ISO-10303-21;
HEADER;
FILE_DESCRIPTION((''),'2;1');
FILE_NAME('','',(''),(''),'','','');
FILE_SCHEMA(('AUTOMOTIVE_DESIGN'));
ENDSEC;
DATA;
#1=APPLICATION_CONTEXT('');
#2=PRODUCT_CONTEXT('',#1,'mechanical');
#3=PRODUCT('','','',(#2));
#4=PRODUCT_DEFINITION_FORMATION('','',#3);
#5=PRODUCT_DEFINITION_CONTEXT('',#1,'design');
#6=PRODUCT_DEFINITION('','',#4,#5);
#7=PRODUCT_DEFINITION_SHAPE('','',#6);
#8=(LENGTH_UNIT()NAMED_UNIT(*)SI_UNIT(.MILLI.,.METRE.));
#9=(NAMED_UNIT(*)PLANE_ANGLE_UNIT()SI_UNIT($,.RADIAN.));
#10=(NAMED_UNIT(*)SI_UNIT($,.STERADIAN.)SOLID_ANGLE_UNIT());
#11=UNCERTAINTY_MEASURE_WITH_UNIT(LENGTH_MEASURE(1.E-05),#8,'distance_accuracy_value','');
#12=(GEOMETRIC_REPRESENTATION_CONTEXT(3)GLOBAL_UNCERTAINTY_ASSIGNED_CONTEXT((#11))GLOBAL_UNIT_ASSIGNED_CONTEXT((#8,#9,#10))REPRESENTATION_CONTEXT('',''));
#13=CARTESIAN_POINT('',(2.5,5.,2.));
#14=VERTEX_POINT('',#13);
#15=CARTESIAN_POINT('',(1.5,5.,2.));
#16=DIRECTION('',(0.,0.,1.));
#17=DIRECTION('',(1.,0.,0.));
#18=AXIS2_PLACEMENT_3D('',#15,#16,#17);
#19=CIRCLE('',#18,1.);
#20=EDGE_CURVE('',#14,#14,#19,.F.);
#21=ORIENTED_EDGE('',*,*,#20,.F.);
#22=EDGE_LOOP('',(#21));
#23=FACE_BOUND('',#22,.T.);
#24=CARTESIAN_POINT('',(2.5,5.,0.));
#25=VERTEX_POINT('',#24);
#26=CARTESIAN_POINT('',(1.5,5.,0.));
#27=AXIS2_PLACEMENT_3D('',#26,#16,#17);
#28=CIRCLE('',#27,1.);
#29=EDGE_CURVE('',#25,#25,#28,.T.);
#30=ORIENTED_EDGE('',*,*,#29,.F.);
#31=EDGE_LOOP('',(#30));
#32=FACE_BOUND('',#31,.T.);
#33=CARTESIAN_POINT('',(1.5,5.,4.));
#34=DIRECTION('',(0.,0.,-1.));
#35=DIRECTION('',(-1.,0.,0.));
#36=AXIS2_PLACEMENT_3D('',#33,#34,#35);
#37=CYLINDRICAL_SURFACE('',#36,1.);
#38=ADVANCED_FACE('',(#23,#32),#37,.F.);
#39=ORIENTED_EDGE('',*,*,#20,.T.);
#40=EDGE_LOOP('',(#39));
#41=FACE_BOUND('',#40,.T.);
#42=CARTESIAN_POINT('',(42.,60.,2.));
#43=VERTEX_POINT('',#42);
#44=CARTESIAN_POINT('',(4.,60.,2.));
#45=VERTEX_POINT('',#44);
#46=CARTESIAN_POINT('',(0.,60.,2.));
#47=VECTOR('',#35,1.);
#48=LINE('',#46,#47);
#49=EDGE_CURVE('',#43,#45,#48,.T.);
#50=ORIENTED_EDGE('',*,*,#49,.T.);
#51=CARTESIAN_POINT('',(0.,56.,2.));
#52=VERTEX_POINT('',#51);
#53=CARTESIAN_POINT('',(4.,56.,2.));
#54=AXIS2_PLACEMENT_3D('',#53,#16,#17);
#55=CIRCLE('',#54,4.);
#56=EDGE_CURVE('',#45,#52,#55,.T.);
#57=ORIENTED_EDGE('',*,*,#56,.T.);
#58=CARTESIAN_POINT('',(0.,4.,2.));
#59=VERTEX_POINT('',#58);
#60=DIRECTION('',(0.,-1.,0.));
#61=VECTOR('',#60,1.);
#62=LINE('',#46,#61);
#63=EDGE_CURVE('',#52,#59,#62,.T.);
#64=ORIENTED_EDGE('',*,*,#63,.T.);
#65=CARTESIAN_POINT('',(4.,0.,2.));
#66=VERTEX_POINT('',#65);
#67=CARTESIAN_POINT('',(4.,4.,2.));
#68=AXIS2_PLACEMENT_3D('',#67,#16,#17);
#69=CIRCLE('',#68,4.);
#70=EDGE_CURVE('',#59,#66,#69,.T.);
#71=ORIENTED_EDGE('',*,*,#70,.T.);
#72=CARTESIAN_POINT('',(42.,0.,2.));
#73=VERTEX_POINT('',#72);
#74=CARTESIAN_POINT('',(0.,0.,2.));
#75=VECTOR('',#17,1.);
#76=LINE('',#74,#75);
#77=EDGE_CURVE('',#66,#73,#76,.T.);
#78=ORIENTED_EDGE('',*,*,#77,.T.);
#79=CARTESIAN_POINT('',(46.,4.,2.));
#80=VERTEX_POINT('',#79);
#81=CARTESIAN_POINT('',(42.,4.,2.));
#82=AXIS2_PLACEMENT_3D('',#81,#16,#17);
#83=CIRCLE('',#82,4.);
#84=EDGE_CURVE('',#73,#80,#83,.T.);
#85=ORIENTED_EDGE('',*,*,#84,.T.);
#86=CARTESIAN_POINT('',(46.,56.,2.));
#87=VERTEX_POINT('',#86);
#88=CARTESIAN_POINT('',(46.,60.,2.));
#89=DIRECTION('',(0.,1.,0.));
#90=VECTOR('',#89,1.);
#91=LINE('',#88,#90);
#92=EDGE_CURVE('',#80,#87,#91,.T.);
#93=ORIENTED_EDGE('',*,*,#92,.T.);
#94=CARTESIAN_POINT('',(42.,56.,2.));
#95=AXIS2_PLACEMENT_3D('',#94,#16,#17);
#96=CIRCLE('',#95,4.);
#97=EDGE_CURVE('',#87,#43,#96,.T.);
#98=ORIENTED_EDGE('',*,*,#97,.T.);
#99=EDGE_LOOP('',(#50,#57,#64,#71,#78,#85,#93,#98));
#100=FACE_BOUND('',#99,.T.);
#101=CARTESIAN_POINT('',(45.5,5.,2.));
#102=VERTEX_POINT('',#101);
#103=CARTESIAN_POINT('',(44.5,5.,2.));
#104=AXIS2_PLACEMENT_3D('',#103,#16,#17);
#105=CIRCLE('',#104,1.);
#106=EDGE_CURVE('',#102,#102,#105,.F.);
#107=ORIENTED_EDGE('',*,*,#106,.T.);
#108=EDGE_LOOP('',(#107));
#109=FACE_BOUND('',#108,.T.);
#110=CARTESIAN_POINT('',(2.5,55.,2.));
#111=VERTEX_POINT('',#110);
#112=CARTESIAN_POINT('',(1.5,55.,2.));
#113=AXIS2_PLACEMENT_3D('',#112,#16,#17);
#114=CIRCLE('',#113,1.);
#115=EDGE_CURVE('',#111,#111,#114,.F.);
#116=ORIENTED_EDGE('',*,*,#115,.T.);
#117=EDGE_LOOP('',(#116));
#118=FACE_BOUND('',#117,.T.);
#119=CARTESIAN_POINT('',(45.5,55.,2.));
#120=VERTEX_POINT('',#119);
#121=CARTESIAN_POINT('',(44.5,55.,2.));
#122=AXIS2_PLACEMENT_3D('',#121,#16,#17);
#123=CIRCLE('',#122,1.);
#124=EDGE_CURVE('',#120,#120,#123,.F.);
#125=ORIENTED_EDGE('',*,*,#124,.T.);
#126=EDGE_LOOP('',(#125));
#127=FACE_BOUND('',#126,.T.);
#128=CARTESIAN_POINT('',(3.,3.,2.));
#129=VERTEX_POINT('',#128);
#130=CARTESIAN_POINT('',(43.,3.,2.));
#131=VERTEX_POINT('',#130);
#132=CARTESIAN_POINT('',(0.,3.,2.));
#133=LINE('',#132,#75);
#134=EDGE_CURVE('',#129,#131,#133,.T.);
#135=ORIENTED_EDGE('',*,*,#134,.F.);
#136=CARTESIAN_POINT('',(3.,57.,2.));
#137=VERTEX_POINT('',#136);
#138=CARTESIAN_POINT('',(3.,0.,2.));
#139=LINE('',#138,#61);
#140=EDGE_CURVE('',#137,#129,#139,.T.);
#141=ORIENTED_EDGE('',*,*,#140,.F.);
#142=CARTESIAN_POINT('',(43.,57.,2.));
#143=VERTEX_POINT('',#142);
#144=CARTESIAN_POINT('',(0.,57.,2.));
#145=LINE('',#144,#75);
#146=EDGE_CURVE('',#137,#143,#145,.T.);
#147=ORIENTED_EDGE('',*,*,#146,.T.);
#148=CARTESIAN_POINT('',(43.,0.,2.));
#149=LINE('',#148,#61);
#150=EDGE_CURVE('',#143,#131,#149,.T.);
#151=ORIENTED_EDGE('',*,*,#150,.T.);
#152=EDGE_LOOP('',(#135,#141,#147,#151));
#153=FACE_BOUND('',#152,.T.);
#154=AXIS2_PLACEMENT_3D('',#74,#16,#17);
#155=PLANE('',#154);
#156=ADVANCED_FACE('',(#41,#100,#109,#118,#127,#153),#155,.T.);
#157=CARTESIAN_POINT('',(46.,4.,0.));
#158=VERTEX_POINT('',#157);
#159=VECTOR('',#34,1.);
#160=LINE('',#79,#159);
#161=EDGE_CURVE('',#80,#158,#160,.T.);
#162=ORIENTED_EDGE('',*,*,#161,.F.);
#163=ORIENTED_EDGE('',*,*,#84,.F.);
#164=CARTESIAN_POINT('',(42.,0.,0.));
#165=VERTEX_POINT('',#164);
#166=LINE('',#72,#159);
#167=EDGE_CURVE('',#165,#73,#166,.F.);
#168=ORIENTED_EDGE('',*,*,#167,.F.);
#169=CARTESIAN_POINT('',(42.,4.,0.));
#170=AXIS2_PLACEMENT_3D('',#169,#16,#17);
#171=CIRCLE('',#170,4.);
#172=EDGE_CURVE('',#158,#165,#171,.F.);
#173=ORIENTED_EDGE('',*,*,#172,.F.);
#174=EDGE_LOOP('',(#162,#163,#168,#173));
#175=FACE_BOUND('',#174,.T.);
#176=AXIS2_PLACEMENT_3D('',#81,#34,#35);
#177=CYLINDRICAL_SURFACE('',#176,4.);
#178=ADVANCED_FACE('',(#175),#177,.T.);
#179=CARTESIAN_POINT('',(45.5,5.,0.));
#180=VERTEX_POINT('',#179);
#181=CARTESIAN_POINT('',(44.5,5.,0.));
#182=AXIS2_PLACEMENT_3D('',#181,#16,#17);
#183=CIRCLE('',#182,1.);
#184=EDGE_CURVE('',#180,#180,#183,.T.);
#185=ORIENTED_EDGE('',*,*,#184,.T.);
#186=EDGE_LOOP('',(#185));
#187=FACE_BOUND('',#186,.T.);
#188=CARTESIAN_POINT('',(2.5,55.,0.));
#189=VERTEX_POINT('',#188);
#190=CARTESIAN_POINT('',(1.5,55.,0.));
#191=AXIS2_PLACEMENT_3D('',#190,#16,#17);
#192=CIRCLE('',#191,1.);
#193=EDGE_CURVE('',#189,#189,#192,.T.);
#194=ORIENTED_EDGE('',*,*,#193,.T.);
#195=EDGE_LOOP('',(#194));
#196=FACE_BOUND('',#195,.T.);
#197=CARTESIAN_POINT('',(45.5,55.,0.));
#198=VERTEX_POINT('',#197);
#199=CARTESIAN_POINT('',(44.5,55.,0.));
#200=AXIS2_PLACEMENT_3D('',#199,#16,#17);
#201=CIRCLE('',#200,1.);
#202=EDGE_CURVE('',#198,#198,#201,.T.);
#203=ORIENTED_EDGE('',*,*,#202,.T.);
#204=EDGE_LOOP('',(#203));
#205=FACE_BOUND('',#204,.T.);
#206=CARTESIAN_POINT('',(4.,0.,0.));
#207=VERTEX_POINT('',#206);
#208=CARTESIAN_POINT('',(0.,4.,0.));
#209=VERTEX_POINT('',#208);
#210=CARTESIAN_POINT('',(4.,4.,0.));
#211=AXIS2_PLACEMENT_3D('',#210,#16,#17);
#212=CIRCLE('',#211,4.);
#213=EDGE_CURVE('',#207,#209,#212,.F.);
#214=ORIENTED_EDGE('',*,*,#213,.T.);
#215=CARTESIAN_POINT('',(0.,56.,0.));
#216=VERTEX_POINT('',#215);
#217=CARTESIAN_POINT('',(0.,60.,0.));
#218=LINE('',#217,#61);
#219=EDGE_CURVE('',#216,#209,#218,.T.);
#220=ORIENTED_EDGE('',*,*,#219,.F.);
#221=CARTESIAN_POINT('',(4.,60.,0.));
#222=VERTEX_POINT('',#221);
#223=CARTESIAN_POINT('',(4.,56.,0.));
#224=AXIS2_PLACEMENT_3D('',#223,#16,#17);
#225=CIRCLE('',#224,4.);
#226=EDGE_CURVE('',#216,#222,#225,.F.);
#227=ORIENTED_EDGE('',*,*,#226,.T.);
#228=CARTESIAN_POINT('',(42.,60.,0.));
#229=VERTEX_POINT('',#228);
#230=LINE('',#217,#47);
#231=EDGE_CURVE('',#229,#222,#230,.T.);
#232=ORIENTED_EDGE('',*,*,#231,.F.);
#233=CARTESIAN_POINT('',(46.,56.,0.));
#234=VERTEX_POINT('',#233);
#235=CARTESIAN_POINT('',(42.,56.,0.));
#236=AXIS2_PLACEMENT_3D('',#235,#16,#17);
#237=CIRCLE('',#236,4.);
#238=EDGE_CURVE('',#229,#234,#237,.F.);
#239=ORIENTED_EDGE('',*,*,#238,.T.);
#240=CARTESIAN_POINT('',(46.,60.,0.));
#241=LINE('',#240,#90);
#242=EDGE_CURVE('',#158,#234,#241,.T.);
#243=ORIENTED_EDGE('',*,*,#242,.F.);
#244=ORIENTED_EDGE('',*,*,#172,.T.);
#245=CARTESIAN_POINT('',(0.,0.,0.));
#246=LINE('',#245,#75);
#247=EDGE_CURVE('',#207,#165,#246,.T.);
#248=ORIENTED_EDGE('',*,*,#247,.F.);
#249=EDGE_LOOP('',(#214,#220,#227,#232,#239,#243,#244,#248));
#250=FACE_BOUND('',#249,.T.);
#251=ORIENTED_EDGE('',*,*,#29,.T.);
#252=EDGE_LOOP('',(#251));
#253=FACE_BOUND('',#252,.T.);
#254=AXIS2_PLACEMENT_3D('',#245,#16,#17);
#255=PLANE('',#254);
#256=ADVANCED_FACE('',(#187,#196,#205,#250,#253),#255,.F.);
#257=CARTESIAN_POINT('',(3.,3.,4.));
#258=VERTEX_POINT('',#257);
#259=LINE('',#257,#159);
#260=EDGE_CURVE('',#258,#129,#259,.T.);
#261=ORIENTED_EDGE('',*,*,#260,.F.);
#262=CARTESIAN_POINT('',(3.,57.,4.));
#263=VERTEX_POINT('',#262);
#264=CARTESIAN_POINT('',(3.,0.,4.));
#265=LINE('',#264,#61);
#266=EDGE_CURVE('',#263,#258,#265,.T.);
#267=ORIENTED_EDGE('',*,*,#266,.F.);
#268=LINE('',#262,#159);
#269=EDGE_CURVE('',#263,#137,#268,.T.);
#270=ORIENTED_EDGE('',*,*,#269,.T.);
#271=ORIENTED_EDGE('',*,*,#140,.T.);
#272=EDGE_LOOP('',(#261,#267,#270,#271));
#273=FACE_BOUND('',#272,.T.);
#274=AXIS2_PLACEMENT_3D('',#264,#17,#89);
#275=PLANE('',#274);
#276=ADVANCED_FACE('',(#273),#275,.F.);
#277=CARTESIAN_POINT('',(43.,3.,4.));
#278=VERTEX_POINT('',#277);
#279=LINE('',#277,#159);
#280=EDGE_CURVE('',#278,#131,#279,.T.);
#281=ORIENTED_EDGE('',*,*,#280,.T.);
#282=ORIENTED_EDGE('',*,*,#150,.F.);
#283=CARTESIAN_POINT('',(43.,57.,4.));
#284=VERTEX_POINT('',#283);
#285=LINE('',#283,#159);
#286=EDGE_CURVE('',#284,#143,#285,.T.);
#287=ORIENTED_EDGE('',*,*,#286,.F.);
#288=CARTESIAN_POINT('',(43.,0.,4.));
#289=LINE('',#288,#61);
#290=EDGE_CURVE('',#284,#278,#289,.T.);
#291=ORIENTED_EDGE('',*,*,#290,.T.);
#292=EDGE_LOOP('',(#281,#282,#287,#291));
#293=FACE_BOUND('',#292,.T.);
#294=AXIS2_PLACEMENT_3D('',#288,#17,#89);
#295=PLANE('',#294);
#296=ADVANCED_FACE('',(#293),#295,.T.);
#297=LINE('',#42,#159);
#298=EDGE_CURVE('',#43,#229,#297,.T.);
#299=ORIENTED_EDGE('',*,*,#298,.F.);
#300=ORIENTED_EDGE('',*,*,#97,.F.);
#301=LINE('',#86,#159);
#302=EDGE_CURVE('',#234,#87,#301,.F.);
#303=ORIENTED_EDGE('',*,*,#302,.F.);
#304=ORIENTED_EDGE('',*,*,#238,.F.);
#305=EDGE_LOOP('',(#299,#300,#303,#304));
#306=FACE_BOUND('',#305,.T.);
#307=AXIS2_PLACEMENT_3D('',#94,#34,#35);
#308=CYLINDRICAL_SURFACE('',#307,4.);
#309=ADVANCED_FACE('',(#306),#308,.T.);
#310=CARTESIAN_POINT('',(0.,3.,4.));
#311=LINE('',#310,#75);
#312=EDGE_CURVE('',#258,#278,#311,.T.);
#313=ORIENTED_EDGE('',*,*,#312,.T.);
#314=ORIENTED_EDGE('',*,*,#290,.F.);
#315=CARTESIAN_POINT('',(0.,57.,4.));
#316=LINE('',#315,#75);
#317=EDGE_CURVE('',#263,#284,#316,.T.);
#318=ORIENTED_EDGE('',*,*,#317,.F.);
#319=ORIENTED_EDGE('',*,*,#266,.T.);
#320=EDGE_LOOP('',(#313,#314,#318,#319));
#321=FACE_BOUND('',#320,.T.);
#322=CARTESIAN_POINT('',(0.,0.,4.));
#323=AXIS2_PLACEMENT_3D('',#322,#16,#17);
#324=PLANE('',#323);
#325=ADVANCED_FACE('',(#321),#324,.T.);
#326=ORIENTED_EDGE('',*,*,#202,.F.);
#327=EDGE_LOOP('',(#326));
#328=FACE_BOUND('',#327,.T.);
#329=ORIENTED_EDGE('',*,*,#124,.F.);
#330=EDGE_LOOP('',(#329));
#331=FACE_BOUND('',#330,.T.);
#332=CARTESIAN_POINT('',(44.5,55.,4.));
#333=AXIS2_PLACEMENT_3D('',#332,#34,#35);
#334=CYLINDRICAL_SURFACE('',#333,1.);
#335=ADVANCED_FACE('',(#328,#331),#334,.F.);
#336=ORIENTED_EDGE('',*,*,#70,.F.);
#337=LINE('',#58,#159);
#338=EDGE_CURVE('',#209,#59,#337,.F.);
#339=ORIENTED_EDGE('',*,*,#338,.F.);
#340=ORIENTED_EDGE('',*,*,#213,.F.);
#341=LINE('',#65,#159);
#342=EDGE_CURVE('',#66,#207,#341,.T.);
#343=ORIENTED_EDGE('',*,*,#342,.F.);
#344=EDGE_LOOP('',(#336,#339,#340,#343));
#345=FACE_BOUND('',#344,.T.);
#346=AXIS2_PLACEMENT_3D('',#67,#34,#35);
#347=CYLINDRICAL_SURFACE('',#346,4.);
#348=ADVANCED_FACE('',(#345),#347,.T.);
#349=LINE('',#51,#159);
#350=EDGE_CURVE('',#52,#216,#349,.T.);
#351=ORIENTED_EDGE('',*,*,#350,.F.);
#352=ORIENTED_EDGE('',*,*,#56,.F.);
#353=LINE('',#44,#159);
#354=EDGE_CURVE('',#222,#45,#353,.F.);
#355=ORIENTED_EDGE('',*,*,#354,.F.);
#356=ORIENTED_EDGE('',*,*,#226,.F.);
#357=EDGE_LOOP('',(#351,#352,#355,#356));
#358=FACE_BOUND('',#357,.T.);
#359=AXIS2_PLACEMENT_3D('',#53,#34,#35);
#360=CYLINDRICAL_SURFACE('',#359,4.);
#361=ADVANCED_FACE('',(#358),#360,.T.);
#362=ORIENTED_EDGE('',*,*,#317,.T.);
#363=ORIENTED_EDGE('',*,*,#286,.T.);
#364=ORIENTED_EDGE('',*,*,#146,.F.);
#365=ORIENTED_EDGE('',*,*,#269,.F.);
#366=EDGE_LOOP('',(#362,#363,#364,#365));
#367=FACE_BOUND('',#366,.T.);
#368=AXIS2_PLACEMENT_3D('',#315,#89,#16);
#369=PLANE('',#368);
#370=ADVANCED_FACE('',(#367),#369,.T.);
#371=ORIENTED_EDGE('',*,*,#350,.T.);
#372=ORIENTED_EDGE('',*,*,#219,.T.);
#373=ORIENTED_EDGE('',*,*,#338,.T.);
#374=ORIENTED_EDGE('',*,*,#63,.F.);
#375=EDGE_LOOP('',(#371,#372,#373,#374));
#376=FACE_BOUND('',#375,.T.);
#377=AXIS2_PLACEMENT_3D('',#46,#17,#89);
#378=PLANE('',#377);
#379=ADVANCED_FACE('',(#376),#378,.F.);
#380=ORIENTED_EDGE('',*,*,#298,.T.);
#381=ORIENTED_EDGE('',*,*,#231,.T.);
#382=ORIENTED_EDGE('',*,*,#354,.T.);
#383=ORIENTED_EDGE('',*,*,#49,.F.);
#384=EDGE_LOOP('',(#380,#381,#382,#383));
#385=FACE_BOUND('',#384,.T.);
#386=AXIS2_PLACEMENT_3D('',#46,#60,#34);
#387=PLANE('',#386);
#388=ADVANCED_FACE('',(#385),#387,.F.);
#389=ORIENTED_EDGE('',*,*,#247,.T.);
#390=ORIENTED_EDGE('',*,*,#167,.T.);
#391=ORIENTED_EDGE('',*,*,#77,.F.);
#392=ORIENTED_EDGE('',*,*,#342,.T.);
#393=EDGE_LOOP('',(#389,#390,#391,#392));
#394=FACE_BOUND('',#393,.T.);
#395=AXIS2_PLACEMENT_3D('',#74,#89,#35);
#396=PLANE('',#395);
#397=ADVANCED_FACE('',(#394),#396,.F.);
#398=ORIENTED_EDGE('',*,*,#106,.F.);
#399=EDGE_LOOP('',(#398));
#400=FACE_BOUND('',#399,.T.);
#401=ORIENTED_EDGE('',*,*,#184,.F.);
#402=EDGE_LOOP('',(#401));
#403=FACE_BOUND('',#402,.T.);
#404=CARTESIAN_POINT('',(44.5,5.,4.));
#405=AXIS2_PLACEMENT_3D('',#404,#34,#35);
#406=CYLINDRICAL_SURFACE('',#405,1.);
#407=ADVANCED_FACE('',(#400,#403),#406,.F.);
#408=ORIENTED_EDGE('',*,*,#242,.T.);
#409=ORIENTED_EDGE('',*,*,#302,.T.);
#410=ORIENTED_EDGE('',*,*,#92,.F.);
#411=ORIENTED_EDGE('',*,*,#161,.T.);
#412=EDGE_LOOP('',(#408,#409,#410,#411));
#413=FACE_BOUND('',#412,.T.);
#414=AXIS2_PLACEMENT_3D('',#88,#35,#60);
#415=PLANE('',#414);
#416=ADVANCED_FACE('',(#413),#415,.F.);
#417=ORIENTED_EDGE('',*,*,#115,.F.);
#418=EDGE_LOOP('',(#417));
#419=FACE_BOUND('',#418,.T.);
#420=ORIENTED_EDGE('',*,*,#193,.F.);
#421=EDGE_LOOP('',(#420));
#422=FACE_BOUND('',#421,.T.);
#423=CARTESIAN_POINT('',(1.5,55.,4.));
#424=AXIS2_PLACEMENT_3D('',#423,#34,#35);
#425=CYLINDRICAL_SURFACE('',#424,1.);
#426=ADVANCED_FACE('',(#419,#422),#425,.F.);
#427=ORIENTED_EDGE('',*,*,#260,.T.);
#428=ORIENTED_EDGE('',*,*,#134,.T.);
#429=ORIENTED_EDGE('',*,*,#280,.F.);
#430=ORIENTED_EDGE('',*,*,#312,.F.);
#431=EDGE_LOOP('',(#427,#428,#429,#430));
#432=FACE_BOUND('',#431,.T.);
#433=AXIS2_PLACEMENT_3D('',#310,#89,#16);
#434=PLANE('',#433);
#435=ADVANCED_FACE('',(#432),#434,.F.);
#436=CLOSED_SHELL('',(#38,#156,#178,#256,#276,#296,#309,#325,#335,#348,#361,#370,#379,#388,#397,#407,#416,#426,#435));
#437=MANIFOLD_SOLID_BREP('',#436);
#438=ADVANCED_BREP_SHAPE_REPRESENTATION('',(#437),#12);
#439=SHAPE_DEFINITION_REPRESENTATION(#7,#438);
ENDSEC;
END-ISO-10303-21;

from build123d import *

# Parameters (mm, degrees)
ESQUISSE1_W             = 40
ESQUISSE1_H             = 54
BOSS_EXTRU_1_DEPTH      = 4
ESQUISSE2_W             = 46
ESQUISSE2_H             = 60
BOSS_EXTRU_2_DEPTH      = 2
CONG_1_R                = 4
ESQUISSE3_R             = 1
ENL_V_MAT_EXTRU_1_DEPTH = 76.709972923


with BuildPart() as part:
    # Esquisse1 → Boss.-Extru.1 (new body)
    with BuildSketch(Plane.XY):
        with Locations((23, 30)):
            Rectangle(ESQUISSE1_W, ESQUISSE1_H)
    extrude(amount=BOSS_EXTRU_1_DEPTH)

    # Esquisse2 → Boss.-Extru.2 (add)
    with BuildSketch(Plane.XY):
        with Locations((23, 30)):
            Rectangle(ESQUISSE2_W, ESQUISSE2_H)
    extrude(amount=BOSS_EXTRU_2_DEPTH)

    # Congé1
    cong_1_edges = [part.edges().sort_by_distance(p)[0] for p in [
        (0, 60, 1),
        (0, 0, 1),
        (46, 0, 1),
        (46, 60, 1),
    ]]
    fillet(cong_1_edges, radius=CONG_1_R)

    # Esquisse3 → Enlèv. mat.-Extru.1 (cut, through all)
    with BuildSketch(Plane.XY):
        with Locations((44.5, 5)):
            Circle(ESQUISSE3_R)
        with Locations((1.5, 5)):
            Circle(ESQUISSE3_R)
        with Locations((1.5, 55)):
            Circle(ESQUISSE3_R)
        with Locations((44.5, 55)):
            Circle(ESQUISSE3_R)
    extrude(amount=ENL_V_MAT_EXTRU_1_DEPTH, mode=Mode.SUBTRACT)


solid = part.part
